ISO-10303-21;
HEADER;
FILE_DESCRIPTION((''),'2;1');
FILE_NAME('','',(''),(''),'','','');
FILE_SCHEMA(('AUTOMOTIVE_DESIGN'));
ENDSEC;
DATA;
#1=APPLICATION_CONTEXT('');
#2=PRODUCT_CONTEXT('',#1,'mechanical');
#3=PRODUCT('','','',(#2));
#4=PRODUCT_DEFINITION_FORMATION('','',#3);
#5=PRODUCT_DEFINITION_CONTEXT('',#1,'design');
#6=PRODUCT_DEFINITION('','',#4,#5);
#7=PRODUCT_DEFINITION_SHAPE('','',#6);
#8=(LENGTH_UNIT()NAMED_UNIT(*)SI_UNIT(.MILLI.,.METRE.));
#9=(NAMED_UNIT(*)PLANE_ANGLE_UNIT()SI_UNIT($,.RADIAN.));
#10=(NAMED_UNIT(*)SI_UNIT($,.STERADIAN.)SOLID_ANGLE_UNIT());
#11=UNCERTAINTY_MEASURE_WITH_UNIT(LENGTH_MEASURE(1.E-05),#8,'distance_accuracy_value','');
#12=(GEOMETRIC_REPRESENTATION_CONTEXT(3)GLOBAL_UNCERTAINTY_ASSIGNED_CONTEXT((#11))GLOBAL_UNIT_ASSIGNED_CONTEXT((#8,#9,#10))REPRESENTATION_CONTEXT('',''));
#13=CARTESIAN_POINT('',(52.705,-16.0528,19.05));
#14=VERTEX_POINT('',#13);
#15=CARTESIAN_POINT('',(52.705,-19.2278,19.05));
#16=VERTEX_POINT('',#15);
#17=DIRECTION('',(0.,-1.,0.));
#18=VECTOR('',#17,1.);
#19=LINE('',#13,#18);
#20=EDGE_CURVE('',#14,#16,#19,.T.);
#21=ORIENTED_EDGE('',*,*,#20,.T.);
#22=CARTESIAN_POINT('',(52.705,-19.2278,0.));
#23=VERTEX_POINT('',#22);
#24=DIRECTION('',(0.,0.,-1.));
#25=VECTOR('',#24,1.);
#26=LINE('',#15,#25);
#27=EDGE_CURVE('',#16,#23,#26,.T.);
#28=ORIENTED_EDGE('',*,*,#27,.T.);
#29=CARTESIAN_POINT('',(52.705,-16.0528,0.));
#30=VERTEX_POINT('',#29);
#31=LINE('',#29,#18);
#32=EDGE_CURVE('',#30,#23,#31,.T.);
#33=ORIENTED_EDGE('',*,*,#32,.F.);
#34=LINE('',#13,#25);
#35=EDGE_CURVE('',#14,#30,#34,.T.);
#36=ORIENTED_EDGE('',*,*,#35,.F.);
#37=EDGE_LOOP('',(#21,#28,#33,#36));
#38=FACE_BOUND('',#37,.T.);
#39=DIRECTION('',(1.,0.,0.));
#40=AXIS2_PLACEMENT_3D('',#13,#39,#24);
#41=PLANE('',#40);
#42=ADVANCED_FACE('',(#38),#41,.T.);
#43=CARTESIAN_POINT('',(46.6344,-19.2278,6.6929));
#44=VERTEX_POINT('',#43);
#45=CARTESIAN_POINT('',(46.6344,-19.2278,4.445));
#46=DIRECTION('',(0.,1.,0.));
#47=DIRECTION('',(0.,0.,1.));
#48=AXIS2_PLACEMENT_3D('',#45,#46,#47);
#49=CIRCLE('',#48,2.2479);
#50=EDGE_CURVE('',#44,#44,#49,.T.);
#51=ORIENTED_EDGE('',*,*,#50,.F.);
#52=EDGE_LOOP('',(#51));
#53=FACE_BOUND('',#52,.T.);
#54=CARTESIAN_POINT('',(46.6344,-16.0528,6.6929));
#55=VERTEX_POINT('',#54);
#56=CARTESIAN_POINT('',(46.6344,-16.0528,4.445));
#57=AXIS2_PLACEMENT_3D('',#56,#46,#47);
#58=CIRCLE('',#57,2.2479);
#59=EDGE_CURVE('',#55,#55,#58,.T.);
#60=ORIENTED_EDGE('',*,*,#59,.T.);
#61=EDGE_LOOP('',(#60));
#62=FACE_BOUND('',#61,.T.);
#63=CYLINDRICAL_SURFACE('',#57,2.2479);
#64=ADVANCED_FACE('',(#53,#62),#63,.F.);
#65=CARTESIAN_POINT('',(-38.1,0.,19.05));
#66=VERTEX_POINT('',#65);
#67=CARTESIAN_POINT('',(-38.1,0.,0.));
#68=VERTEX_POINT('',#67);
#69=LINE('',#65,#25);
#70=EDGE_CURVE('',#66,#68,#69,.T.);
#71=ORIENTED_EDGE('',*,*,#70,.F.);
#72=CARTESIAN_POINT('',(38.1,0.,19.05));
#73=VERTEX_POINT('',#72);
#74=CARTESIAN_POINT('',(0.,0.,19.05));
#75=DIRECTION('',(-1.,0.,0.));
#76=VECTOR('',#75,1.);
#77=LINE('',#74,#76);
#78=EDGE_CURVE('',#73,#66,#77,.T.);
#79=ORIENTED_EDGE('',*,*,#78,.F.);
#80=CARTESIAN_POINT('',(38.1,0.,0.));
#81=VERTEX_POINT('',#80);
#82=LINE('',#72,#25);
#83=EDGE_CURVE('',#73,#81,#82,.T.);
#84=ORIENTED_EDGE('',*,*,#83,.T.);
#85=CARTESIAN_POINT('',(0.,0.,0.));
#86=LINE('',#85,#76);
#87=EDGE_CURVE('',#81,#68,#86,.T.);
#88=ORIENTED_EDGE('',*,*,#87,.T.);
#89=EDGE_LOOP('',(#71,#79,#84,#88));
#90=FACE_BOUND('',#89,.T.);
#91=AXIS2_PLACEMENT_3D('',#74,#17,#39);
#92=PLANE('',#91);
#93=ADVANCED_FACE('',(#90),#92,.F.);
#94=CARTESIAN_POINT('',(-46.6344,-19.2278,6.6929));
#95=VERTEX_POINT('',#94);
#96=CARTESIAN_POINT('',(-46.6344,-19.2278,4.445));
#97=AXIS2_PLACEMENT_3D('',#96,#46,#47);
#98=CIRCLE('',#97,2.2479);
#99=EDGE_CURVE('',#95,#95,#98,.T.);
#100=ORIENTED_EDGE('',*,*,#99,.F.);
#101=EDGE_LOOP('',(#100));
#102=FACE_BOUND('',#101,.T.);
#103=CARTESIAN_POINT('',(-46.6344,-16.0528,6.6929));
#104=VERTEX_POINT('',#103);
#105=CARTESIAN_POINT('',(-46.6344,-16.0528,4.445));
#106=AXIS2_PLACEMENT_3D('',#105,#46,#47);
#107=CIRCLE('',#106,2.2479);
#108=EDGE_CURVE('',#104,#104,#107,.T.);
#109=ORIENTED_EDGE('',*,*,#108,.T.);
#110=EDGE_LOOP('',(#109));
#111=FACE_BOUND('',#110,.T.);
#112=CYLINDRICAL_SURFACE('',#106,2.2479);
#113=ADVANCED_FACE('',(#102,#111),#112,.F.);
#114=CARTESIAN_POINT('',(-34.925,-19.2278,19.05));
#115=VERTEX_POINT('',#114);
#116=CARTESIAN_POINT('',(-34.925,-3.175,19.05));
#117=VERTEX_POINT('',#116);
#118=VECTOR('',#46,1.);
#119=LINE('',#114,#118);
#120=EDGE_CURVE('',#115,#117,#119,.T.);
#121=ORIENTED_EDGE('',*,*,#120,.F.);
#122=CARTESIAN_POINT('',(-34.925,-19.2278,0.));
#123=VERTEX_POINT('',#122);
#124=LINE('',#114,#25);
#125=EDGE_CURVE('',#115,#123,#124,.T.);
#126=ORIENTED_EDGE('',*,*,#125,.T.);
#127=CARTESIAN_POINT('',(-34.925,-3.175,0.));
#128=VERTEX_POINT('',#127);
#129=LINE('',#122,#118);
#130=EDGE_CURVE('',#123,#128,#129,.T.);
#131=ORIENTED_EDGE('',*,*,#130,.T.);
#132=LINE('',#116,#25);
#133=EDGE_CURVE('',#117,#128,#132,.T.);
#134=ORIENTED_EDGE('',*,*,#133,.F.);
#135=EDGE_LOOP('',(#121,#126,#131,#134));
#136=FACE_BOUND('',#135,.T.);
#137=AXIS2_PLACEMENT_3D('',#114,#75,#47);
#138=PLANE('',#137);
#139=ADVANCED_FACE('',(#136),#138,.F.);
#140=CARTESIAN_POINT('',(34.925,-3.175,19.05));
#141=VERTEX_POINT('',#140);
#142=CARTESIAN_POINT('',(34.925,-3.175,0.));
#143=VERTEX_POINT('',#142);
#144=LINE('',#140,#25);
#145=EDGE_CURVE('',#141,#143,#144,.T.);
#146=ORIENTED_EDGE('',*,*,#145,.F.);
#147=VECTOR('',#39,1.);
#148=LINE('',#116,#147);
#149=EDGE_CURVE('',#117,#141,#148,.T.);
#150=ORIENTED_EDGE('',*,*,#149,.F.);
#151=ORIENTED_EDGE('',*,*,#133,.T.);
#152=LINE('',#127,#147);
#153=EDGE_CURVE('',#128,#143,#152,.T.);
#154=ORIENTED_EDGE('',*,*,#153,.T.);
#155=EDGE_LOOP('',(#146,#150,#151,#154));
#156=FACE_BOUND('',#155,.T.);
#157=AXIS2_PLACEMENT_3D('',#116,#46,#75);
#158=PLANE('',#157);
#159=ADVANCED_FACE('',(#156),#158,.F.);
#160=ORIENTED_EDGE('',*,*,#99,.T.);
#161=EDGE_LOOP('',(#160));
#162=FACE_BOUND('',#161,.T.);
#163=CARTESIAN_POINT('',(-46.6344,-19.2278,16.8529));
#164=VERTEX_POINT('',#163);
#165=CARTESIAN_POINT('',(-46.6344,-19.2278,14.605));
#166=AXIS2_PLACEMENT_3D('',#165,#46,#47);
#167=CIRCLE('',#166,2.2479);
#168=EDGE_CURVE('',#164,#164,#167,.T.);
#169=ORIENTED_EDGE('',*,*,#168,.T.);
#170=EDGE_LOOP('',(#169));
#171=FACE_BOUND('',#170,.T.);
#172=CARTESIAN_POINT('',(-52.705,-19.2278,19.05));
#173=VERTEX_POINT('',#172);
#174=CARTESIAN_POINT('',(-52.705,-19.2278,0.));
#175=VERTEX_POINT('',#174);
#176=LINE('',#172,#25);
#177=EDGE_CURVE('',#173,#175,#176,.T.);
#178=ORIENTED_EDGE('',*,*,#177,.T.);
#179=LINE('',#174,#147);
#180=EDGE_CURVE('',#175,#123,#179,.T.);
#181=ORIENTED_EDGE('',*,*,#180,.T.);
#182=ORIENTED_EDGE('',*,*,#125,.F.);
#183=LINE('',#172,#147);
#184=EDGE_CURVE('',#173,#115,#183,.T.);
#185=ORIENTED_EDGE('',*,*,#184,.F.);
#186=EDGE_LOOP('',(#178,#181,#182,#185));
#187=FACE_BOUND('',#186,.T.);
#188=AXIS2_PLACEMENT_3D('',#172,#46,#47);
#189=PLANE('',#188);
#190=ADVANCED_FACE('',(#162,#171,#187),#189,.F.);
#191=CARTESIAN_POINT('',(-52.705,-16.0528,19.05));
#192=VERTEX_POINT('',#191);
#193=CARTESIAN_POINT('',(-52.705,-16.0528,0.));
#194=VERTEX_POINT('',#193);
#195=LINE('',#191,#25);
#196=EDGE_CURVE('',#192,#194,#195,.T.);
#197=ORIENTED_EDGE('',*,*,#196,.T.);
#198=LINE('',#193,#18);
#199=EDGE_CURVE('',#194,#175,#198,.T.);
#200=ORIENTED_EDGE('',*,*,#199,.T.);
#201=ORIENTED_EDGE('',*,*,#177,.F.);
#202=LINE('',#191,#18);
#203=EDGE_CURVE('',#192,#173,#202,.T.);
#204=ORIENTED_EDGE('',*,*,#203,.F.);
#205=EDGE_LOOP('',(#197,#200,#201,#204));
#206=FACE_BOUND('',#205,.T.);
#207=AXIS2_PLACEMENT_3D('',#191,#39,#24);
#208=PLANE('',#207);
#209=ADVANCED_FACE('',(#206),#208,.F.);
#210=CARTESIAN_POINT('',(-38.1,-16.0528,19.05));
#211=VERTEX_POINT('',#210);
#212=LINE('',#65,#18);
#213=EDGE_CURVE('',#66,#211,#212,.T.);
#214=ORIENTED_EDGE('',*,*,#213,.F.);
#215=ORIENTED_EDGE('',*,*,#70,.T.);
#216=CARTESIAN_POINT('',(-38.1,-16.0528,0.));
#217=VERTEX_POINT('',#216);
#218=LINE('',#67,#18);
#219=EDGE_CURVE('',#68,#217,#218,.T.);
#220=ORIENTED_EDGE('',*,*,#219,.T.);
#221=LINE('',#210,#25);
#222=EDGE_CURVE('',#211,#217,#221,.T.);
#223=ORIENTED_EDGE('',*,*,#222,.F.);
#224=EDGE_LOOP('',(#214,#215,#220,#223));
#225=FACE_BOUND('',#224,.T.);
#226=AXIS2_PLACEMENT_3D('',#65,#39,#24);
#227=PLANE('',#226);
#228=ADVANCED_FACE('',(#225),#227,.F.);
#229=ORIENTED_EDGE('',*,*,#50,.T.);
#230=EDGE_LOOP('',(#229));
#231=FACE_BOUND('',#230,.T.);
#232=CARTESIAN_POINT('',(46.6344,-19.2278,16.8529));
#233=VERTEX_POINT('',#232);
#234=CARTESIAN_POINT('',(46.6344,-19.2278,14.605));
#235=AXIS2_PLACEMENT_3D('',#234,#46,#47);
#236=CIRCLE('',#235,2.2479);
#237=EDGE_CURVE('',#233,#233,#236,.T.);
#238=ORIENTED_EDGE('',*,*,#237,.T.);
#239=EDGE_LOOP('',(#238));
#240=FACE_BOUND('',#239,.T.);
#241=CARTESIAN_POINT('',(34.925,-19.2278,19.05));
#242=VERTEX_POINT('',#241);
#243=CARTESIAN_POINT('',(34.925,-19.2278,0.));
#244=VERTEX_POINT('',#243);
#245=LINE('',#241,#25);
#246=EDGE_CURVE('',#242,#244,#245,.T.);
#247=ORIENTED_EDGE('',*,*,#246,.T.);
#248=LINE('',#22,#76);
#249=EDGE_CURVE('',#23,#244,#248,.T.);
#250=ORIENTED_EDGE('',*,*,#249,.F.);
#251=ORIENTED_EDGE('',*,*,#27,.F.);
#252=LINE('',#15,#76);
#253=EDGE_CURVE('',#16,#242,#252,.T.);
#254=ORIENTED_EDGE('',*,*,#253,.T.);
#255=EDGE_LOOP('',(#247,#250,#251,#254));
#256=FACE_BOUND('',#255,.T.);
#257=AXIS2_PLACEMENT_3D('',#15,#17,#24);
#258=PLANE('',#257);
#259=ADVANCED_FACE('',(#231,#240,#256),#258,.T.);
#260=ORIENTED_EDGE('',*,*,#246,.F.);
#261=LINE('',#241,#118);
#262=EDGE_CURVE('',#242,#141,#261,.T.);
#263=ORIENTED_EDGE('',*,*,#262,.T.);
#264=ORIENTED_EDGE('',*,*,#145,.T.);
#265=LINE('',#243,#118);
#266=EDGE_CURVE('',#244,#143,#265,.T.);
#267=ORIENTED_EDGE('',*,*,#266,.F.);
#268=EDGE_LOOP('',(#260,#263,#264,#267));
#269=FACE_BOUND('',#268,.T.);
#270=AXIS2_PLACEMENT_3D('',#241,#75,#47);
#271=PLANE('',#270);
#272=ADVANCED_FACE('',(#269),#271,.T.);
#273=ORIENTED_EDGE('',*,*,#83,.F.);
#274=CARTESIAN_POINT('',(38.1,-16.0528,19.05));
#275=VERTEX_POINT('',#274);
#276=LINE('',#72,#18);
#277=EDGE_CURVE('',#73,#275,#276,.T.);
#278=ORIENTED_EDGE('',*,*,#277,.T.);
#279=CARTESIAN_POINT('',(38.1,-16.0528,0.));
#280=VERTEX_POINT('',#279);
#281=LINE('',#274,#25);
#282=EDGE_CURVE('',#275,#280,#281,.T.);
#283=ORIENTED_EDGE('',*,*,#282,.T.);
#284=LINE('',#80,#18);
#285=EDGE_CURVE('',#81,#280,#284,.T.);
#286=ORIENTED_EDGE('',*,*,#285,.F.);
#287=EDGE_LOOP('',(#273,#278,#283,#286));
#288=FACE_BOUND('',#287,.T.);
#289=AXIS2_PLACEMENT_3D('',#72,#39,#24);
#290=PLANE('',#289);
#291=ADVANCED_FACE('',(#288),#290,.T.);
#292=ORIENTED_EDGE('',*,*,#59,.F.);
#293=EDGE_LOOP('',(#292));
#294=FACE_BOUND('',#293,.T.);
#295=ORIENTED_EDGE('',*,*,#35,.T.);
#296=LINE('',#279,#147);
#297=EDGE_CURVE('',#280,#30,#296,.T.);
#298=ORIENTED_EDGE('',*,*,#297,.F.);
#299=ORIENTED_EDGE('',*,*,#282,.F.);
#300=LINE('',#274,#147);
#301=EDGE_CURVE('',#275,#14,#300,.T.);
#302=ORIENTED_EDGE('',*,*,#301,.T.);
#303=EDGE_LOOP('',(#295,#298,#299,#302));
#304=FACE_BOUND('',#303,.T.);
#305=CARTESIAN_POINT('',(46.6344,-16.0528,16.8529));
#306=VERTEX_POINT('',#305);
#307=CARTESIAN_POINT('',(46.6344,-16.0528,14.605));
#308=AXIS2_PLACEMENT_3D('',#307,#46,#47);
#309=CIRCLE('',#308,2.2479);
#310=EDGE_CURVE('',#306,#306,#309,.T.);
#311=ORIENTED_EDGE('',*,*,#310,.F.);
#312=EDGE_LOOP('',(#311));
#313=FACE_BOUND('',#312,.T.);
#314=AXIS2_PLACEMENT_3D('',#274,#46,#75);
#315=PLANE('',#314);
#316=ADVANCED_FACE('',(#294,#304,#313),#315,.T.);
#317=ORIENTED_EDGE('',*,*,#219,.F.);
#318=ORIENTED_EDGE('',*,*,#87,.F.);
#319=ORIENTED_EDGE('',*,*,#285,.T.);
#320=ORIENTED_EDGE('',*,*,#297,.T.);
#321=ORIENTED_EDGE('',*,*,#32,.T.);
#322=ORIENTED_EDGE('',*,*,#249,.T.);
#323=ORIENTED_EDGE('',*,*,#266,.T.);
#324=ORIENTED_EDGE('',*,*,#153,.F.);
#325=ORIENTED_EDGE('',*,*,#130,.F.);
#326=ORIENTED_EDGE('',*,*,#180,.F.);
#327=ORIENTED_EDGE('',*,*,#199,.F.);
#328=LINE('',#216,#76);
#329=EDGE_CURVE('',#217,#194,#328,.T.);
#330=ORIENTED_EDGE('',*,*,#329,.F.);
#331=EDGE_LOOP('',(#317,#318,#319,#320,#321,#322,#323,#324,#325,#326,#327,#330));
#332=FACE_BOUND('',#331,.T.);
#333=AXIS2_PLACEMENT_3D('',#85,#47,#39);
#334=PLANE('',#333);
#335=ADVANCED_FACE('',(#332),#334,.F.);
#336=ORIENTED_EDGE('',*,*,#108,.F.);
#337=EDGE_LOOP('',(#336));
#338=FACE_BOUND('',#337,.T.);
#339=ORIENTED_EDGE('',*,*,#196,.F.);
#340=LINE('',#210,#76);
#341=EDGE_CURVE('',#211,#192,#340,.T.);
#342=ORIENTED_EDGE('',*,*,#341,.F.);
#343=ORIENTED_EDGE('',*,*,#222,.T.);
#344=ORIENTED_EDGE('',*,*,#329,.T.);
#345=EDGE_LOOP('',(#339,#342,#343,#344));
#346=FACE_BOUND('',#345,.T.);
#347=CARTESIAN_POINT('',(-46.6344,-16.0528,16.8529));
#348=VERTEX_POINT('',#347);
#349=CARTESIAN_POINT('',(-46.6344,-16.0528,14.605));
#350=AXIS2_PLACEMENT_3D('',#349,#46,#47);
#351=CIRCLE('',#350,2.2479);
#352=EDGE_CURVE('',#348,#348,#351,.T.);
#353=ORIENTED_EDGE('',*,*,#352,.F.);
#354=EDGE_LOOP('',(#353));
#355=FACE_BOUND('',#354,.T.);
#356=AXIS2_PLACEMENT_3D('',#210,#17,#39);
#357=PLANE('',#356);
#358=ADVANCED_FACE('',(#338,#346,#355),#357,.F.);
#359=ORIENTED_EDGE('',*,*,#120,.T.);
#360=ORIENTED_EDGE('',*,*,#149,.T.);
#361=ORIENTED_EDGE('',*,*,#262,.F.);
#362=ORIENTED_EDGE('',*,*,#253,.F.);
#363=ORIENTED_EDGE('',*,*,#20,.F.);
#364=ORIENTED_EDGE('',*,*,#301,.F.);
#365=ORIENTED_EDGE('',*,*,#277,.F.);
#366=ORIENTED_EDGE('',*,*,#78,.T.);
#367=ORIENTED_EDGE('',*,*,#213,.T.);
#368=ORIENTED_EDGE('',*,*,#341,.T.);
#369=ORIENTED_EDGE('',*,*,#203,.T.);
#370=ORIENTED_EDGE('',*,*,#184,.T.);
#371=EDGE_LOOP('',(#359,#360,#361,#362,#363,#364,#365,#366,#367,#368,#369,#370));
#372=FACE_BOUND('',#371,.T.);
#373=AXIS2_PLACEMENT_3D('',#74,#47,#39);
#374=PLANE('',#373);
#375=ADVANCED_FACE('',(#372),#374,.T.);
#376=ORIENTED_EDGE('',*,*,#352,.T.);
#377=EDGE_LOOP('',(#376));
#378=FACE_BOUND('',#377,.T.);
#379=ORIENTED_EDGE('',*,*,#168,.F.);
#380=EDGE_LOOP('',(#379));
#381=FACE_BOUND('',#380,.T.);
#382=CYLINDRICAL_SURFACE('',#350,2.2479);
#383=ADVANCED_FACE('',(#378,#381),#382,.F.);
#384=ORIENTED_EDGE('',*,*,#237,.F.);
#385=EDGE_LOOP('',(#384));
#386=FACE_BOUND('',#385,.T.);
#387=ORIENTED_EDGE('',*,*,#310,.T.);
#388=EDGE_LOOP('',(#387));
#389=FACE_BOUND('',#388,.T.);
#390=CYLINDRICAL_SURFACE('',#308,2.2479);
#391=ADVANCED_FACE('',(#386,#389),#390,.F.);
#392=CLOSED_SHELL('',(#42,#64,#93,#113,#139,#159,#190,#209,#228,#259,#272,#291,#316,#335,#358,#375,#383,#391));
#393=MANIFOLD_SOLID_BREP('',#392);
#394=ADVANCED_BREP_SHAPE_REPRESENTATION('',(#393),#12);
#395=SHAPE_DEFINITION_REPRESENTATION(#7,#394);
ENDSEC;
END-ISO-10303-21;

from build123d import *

# Parameters (mm, degrees)
EXTRUDE1_DEPTH        = 19.05
F_8_CLEARANCE_HOLE1_D = 4.4958


with BuildPart() as part:
    # Sketch1 → Extrude1 (new body)
    with BuildSketch(Plane.XY):
        Polygon((0, 0), (-38.1, 0), (-38.1, -16.0528), (-52.705, -16.0528), (-52.705, -19.2278), (-34.925, -19.2278), (-34.925, -3.175), (0, -3.175), align=None)
    extrude1 = extrude(amount=EXTRUDE1_DEPTH)

    # #8 Clearance Hole1 (through all)
    with Locations(Plane(origin=(-46.6344, -16.0528, 4.445), x_dir=(1, 0, 0), z_dir=(0, 1, 0))):
        with Locations((0, 0), (0, -10.16)):
            f_8_clearance_hole1 = Hole(F_8_CLEARANCE_HOLE1_D / 2)

    # Mirror1: Extrude1, #8 Clearance Hole1 across plane
    add(extrude1.mirror(Plane(origin=(0, 0, 0), x_dir=(0, 0, 1), z_dir=(1, 0, 0))))
    add(f_8_clearance_hole1.mirror(Plane(origin=(0, 0, 0), x_dir=(0, 0, 1), z_dir=(1, 0, 0))), mode=Mode.SUBTRACT)


solid = part.part
